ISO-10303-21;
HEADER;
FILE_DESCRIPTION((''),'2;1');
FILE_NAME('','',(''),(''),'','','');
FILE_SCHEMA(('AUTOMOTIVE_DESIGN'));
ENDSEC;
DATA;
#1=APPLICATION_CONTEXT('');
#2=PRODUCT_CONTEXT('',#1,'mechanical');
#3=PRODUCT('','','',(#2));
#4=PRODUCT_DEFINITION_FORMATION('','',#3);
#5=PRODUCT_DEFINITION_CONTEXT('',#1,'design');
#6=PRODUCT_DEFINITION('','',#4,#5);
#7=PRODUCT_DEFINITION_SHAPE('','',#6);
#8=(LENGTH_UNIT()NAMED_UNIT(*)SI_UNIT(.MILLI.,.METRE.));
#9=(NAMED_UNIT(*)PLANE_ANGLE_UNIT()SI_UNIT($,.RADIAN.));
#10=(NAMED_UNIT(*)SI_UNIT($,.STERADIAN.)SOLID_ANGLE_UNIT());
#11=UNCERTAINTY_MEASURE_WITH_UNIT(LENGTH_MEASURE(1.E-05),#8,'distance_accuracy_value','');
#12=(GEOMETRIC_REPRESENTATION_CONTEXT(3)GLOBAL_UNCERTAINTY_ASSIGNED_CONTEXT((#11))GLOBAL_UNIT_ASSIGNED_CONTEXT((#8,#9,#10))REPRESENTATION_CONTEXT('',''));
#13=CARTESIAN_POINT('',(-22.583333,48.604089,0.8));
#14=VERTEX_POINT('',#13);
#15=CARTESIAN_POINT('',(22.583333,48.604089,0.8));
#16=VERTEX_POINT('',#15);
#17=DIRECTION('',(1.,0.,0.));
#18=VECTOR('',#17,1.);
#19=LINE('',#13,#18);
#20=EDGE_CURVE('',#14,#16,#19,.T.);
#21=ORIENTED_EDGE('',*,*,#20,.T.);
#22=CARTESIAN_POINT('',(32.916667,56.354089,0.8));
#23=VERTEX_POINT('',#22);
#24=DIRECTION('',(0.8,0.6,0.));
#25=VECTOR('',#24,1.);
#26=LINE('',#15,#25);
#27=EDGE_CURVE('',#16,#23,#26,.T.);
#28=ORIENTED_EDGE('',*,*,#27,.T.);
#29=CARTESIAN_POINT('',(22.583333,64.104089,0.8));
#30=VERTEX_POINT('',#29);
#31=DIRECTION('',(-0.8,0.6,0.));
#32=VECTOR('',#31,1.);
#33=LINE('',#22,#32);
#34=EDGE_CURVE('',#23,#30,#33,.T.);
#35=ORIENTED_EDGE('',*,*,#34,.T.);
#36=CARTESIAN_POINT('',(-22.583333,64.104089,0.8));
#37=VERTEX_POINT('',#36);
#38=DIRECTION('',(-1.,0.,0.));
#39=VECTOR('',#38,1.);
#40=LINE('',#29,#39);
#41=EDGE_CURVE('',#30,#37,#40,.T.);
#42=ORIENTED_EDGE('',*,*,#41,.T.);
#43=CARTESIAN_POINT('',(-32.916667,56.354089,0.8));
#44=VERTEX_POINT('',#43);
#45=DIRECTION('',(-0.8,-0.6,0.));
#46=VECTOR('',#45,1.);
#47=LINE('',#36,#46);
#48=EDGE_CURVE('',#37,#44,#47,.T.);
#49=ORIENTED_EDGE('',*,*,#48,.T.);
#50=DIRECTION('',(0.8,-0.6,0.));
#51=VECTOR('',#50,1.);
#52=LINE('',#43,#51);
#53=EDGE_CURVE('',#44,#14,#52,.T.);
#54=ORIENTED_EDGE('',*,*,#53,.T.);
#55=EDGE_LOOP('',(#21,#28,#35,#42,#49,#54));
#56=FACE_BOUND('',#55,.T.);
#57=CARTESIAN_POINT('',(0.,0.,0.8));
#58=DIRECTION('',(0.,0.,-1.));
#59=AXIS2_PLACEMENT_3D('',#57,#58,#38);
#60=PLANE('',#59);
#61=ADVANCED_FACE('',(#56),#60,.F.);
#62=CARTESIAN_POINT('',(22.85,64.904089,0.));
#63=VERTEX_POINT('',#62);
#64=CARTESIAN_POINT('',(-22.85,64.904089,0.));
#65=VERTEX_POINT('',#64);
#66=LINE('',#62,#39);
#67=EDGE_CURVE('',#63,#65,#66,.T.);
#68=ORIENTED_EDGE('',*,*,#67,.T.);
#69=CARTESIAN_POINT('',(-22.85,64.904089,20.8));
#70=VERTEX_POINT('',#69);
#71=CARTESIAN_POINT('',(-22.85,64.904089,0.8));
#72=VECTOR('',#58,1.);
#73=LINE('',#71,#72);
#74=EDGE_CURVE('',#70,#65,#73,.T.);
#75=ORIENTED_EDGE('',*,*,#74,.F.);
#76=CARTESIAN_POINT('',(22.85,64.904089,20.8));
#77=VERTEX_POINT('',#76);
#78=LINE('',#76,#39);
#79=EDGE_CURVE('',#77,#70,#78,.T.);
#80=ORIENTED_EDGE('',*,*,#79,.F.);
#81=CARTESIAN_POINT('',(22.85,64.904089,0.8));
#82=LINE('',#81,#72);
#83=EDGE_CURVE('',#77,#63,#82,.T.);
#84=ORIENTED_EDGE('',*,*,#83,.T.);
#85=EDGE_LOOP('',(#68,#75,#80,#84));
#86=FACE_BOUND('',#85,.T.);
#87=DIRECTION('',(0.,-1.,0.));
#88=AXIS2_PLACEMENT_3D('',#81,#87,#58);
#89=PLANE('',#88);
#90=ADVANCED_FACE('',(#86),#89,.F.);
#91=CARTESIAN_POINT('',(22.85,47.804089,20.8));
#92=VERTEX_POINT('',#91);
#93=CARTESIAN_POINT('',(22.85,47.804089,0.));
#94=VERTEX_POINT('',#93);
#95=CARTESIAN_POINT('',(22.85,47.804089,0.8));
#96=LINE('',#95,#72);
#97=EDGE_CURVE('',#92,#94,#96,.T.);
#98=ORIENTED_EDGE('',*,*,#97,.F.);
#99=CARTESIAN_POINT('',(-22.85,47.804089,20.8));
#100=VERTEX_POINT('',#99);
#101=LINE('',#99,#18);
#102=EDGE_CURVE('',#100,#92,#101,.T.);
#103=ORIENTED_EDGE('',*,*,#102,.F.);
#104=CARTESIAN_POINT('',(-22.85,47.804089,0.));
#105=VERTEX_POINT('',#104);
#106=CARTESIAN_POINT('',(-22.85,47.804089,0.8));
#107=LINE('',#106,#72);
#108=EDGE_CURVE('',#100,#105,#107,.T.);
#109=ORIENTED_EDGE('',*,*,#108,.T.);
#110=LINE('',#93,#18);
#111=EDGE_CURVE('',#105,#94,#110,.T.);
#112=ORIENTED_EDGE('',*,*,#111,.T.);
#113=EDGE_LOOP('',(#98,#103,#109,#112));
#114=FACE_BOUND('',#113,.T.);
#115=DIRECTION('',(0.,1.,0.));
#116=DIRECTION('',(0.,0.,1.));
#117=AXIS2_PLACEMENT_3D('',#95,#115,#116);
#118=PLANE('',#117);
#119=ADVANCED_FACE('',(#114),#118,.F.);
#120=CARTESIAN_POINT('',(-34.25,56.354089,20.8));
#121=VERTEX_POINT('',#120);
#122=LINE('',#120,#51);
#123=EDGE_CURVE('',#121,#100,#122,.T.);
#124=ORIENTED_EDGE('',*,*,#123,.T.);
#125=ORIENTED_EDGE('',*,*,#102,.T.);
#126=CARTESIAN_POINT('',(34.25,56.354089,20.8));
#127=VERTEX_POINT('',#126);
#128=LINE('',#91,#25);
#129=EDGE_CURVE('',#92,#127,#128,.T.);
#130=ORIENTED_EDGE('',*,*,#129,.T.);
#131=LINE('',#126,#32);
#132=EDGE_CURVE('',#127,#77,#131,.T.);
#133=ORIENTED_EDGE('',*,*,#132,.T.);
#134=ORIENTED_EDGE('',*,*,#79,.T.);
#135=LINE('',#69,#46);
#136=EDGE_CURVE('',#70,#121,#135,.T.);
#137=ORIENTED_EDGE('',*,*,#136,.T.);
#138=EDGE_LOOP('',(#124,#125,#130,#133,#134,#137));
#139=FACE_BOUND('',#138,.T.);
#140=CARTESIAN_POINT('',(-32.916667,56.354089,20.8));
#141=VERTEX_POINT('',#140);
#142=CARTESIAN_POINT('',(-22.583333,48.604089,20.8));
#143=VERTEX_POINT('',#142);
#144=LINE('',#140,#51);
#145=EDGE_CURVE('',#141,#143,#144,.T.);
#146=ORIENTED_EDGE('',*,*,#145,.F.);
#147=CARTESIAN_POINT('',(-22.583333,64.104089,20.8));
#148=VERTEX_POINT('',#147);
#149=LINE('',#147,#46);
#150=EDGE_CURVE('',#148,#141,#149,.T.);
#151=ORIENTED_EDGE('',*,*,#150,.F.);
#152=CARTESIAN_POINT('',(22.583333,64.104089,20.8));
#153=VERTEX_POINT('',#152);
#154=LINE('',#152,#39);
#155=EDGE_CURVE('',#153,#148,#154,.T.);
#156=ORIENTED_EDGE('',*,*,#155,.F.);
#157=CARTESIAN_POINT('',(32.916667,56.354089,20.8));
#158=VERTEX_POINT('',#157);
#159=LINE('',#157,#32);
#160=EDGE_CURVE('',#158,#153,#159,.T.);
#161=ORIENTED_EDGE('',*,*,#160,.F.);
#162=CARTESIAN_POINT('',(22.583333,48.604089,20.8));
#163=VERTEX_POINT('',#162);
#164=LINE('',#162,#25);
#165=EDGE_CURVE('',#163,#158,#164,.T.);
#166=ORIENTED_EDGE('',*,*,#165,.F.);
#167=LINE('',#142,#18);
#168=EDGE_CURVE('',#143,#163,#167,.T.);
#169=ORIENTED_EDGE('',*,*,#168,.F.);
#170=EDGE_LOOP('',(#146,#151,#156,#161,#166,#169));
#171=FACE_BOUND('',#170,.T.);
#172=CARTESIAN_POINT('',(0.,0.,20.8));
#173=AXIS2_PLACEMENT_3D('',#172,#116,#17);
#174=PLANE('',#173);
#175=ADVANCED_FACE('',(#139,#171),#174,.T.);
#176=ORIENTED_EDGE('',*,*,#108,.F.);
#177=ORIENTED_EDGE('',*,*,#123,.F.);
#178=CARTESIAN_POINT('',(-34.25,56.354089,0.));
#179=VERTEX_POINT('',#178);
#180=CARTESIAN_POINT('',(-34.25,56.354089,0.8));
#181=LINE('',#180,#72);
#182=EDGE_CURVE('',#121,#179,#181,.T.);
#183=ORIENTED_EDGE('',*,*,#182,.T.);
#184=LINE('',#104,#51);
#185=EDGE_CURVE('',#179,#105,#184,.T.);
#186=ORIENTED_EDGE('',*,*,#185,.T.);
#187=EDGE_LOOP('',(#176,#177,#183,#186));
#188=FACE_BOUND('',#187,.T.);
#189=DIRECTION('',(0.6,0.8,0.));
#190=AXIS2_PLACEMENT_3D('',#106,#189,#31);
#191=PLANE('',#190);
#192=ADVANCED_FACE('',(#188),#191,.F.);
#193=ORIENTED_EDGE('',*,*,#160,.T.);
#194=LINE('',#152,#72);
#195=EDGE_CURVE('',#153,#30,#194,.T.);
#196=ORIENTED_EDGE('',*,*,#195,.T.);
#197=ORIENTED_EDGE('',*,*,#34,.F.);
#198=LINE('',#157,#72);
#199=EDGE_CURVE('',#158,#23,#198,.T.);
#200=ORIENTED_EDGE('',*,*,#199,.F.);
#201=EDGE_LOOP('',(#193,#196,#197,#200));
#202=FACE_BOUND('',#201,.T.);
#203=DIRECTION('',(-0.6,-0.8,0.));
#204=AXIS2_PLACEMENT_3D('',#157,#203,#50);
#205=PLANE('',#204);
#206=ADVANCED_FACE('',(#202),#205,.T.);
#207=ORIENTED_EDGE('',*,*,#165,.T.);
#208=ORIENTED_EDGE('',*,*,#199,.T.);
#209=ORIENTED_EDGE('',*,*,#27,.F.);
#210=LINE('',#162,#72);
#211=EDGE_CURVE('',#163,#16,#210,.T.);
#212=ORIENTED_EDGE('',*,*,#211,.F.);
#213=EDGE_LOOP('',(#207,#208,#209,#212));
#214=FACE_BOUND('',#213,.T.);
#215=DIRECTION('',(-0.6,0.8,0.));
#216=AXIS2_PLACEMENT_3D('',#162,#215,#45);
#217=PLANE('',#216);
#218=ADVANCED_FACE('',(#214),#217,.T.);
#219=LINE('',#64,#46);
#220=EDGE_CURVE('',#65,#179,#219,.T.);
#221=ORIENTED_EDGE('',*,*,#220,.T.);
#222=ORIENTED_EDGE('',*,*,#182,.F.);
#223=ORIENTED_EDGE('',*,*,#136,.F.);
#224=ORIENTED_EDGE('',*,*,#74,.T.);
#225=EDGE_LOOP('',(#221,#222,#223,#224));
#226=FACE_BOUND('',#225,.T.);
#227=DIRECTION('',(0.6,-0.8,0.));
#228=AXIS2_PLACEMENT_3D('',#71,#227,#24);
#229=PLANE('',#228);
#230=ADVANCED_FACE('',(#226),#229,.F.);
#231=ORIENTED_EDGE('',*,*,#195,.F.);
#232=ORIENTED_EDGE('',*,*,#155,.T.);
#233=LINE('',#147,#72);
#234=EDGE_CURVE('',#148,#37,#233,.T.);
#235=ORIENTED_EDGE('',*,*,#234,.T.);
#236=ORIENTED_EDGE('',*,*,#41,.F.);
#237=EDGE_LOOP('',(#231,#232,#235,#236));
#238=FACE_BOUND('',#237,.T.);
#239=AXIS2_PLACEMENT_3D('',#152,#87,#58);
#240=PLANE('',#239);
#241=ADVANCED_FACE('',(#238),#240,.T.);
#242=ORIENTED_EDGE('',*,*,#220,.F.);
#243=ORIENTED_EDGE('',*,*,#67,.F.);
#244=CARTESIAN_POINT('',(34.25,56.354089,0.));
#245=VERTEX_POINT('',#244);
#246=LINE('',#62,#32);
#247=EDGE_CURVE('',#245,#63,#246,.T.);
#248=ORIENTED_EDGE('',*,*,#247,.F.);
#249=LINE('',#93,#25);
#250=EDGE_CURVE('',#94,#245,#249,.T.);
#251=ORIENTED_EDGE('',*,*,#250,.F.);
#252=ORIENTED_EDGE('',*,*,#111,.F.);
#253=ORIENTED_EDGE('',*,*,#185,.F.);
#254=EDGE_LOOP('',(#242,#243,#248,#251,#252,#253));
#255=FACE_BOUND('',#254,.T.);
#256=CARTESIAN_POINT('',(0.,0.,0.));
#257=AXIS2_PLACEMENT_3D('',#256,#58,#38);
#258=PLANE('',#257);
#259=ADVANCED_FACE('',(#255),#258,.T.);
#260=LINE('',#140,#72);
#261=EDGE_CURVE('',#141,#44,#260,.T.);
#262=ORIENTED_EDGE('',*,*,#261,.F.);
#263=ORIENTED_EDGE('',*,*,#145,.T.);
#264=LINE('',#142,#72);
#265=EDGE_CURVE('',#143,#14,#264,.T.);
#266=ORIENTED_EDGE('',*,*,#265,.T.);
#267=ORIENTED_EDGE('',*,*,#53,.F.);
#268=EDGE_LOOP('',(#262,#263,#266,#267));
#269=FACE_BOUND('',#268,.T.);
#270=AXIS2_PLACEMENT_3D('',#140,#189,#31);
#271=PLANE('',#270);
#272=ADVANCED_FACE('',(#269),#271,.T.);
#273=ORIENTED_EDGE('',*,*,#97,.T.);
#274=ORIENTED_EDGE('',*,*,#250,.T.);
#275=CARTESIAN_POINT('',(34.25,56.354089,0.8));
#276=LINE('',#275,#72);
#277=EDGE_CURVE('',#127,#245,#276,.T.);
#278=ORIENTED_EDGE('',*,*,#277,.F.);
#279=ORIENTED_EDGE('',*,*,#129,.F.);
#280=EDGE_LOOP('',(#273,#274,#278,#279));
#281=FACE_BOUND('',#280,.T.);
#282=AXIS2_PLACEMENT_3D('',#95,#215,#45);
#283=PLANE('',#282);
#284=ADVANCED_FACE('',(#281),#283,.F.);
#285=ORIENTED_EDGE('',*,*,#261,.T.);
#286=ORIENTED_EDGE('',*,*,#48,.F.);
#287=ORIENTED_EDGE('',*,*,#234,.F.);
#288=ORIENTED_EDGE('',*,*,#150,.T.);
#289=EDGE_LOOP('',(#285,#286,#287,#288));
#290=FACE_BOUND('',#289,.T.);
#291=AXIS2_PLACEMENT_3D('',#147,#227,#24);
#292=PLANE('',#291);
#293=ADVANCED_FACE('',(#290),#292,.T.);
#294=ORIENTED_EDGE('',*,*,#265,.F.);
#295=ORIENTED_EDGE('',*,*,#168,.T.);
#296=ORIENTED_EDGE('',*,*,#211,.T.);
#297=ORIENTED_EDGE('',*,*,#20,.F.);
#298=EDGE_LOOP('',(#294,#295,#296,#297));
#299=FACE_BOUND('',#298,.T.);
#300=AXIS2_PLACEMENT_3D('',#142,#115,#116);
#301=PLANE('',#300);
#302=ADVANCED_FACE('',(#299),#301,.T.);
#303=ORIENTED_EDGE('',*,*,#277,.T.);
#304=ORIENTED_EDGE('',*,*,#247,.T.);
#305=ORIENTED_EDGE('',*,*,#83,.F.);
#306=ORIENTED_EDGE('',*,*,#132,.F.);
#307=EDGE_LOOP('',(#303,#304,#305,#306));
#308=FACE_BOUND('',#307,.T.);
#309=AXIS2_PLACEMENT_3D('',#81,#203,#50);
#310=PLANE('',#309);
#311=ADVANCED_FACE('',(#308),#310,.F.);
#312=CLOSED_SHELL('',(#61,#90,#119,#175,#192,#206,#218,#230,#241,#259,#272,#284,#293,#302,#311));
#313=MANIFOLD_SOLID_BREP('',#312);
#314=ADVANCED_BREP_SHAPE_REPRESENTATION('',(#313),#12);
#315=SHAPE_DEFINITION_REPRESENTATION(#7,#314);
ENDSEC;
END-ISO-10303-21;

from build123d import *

# Parameters (mm, degrees)
BOSS_EXTRU_1_DEPTH = 0.8
BOSS_EXTRU_2_DEPTH = 20


with BuildPart() as part:
    # Esquisse1 → Boss.-Extru.1 (new body)
    with BuildSketch(Plane.XY):
        Polygon((22.85, 64.904088569), (-22.85, 64.904088569), (-34.25, 56.354088569), (-22.85, 47.804088569), (22.85, 47.804088569), (34.25, 56.354088569), align=None)
    extrude(amount=BOSS_EXTRU_1_DEPTH)

    # Esquisse2 → Boss.-Extru.2 (add)
    with BuildSketch(Plane.XY.offset(0.8)):
        Polygon((34.25, 56.354088569), (22.85, 64.904088569), (-22.85, 64.904088569), (-34.25, 56.354088569), (-22.85, 47.804088569), (22.85, 47.804088569), align=None)
        Polygon((-22.583333333, 64.104088569), (-32.916666667, 56.354088569), (-22.583333333, 48.604088569), (22.583333333, 48.604088569), (32.916666667, 56.354088569), (22.583333333, 64.104088569), align=None, mode=Mode.SUBTRACT)
    extrude(amount=BOSS_EXTRU_2_DEPTH)


solid = part.part
